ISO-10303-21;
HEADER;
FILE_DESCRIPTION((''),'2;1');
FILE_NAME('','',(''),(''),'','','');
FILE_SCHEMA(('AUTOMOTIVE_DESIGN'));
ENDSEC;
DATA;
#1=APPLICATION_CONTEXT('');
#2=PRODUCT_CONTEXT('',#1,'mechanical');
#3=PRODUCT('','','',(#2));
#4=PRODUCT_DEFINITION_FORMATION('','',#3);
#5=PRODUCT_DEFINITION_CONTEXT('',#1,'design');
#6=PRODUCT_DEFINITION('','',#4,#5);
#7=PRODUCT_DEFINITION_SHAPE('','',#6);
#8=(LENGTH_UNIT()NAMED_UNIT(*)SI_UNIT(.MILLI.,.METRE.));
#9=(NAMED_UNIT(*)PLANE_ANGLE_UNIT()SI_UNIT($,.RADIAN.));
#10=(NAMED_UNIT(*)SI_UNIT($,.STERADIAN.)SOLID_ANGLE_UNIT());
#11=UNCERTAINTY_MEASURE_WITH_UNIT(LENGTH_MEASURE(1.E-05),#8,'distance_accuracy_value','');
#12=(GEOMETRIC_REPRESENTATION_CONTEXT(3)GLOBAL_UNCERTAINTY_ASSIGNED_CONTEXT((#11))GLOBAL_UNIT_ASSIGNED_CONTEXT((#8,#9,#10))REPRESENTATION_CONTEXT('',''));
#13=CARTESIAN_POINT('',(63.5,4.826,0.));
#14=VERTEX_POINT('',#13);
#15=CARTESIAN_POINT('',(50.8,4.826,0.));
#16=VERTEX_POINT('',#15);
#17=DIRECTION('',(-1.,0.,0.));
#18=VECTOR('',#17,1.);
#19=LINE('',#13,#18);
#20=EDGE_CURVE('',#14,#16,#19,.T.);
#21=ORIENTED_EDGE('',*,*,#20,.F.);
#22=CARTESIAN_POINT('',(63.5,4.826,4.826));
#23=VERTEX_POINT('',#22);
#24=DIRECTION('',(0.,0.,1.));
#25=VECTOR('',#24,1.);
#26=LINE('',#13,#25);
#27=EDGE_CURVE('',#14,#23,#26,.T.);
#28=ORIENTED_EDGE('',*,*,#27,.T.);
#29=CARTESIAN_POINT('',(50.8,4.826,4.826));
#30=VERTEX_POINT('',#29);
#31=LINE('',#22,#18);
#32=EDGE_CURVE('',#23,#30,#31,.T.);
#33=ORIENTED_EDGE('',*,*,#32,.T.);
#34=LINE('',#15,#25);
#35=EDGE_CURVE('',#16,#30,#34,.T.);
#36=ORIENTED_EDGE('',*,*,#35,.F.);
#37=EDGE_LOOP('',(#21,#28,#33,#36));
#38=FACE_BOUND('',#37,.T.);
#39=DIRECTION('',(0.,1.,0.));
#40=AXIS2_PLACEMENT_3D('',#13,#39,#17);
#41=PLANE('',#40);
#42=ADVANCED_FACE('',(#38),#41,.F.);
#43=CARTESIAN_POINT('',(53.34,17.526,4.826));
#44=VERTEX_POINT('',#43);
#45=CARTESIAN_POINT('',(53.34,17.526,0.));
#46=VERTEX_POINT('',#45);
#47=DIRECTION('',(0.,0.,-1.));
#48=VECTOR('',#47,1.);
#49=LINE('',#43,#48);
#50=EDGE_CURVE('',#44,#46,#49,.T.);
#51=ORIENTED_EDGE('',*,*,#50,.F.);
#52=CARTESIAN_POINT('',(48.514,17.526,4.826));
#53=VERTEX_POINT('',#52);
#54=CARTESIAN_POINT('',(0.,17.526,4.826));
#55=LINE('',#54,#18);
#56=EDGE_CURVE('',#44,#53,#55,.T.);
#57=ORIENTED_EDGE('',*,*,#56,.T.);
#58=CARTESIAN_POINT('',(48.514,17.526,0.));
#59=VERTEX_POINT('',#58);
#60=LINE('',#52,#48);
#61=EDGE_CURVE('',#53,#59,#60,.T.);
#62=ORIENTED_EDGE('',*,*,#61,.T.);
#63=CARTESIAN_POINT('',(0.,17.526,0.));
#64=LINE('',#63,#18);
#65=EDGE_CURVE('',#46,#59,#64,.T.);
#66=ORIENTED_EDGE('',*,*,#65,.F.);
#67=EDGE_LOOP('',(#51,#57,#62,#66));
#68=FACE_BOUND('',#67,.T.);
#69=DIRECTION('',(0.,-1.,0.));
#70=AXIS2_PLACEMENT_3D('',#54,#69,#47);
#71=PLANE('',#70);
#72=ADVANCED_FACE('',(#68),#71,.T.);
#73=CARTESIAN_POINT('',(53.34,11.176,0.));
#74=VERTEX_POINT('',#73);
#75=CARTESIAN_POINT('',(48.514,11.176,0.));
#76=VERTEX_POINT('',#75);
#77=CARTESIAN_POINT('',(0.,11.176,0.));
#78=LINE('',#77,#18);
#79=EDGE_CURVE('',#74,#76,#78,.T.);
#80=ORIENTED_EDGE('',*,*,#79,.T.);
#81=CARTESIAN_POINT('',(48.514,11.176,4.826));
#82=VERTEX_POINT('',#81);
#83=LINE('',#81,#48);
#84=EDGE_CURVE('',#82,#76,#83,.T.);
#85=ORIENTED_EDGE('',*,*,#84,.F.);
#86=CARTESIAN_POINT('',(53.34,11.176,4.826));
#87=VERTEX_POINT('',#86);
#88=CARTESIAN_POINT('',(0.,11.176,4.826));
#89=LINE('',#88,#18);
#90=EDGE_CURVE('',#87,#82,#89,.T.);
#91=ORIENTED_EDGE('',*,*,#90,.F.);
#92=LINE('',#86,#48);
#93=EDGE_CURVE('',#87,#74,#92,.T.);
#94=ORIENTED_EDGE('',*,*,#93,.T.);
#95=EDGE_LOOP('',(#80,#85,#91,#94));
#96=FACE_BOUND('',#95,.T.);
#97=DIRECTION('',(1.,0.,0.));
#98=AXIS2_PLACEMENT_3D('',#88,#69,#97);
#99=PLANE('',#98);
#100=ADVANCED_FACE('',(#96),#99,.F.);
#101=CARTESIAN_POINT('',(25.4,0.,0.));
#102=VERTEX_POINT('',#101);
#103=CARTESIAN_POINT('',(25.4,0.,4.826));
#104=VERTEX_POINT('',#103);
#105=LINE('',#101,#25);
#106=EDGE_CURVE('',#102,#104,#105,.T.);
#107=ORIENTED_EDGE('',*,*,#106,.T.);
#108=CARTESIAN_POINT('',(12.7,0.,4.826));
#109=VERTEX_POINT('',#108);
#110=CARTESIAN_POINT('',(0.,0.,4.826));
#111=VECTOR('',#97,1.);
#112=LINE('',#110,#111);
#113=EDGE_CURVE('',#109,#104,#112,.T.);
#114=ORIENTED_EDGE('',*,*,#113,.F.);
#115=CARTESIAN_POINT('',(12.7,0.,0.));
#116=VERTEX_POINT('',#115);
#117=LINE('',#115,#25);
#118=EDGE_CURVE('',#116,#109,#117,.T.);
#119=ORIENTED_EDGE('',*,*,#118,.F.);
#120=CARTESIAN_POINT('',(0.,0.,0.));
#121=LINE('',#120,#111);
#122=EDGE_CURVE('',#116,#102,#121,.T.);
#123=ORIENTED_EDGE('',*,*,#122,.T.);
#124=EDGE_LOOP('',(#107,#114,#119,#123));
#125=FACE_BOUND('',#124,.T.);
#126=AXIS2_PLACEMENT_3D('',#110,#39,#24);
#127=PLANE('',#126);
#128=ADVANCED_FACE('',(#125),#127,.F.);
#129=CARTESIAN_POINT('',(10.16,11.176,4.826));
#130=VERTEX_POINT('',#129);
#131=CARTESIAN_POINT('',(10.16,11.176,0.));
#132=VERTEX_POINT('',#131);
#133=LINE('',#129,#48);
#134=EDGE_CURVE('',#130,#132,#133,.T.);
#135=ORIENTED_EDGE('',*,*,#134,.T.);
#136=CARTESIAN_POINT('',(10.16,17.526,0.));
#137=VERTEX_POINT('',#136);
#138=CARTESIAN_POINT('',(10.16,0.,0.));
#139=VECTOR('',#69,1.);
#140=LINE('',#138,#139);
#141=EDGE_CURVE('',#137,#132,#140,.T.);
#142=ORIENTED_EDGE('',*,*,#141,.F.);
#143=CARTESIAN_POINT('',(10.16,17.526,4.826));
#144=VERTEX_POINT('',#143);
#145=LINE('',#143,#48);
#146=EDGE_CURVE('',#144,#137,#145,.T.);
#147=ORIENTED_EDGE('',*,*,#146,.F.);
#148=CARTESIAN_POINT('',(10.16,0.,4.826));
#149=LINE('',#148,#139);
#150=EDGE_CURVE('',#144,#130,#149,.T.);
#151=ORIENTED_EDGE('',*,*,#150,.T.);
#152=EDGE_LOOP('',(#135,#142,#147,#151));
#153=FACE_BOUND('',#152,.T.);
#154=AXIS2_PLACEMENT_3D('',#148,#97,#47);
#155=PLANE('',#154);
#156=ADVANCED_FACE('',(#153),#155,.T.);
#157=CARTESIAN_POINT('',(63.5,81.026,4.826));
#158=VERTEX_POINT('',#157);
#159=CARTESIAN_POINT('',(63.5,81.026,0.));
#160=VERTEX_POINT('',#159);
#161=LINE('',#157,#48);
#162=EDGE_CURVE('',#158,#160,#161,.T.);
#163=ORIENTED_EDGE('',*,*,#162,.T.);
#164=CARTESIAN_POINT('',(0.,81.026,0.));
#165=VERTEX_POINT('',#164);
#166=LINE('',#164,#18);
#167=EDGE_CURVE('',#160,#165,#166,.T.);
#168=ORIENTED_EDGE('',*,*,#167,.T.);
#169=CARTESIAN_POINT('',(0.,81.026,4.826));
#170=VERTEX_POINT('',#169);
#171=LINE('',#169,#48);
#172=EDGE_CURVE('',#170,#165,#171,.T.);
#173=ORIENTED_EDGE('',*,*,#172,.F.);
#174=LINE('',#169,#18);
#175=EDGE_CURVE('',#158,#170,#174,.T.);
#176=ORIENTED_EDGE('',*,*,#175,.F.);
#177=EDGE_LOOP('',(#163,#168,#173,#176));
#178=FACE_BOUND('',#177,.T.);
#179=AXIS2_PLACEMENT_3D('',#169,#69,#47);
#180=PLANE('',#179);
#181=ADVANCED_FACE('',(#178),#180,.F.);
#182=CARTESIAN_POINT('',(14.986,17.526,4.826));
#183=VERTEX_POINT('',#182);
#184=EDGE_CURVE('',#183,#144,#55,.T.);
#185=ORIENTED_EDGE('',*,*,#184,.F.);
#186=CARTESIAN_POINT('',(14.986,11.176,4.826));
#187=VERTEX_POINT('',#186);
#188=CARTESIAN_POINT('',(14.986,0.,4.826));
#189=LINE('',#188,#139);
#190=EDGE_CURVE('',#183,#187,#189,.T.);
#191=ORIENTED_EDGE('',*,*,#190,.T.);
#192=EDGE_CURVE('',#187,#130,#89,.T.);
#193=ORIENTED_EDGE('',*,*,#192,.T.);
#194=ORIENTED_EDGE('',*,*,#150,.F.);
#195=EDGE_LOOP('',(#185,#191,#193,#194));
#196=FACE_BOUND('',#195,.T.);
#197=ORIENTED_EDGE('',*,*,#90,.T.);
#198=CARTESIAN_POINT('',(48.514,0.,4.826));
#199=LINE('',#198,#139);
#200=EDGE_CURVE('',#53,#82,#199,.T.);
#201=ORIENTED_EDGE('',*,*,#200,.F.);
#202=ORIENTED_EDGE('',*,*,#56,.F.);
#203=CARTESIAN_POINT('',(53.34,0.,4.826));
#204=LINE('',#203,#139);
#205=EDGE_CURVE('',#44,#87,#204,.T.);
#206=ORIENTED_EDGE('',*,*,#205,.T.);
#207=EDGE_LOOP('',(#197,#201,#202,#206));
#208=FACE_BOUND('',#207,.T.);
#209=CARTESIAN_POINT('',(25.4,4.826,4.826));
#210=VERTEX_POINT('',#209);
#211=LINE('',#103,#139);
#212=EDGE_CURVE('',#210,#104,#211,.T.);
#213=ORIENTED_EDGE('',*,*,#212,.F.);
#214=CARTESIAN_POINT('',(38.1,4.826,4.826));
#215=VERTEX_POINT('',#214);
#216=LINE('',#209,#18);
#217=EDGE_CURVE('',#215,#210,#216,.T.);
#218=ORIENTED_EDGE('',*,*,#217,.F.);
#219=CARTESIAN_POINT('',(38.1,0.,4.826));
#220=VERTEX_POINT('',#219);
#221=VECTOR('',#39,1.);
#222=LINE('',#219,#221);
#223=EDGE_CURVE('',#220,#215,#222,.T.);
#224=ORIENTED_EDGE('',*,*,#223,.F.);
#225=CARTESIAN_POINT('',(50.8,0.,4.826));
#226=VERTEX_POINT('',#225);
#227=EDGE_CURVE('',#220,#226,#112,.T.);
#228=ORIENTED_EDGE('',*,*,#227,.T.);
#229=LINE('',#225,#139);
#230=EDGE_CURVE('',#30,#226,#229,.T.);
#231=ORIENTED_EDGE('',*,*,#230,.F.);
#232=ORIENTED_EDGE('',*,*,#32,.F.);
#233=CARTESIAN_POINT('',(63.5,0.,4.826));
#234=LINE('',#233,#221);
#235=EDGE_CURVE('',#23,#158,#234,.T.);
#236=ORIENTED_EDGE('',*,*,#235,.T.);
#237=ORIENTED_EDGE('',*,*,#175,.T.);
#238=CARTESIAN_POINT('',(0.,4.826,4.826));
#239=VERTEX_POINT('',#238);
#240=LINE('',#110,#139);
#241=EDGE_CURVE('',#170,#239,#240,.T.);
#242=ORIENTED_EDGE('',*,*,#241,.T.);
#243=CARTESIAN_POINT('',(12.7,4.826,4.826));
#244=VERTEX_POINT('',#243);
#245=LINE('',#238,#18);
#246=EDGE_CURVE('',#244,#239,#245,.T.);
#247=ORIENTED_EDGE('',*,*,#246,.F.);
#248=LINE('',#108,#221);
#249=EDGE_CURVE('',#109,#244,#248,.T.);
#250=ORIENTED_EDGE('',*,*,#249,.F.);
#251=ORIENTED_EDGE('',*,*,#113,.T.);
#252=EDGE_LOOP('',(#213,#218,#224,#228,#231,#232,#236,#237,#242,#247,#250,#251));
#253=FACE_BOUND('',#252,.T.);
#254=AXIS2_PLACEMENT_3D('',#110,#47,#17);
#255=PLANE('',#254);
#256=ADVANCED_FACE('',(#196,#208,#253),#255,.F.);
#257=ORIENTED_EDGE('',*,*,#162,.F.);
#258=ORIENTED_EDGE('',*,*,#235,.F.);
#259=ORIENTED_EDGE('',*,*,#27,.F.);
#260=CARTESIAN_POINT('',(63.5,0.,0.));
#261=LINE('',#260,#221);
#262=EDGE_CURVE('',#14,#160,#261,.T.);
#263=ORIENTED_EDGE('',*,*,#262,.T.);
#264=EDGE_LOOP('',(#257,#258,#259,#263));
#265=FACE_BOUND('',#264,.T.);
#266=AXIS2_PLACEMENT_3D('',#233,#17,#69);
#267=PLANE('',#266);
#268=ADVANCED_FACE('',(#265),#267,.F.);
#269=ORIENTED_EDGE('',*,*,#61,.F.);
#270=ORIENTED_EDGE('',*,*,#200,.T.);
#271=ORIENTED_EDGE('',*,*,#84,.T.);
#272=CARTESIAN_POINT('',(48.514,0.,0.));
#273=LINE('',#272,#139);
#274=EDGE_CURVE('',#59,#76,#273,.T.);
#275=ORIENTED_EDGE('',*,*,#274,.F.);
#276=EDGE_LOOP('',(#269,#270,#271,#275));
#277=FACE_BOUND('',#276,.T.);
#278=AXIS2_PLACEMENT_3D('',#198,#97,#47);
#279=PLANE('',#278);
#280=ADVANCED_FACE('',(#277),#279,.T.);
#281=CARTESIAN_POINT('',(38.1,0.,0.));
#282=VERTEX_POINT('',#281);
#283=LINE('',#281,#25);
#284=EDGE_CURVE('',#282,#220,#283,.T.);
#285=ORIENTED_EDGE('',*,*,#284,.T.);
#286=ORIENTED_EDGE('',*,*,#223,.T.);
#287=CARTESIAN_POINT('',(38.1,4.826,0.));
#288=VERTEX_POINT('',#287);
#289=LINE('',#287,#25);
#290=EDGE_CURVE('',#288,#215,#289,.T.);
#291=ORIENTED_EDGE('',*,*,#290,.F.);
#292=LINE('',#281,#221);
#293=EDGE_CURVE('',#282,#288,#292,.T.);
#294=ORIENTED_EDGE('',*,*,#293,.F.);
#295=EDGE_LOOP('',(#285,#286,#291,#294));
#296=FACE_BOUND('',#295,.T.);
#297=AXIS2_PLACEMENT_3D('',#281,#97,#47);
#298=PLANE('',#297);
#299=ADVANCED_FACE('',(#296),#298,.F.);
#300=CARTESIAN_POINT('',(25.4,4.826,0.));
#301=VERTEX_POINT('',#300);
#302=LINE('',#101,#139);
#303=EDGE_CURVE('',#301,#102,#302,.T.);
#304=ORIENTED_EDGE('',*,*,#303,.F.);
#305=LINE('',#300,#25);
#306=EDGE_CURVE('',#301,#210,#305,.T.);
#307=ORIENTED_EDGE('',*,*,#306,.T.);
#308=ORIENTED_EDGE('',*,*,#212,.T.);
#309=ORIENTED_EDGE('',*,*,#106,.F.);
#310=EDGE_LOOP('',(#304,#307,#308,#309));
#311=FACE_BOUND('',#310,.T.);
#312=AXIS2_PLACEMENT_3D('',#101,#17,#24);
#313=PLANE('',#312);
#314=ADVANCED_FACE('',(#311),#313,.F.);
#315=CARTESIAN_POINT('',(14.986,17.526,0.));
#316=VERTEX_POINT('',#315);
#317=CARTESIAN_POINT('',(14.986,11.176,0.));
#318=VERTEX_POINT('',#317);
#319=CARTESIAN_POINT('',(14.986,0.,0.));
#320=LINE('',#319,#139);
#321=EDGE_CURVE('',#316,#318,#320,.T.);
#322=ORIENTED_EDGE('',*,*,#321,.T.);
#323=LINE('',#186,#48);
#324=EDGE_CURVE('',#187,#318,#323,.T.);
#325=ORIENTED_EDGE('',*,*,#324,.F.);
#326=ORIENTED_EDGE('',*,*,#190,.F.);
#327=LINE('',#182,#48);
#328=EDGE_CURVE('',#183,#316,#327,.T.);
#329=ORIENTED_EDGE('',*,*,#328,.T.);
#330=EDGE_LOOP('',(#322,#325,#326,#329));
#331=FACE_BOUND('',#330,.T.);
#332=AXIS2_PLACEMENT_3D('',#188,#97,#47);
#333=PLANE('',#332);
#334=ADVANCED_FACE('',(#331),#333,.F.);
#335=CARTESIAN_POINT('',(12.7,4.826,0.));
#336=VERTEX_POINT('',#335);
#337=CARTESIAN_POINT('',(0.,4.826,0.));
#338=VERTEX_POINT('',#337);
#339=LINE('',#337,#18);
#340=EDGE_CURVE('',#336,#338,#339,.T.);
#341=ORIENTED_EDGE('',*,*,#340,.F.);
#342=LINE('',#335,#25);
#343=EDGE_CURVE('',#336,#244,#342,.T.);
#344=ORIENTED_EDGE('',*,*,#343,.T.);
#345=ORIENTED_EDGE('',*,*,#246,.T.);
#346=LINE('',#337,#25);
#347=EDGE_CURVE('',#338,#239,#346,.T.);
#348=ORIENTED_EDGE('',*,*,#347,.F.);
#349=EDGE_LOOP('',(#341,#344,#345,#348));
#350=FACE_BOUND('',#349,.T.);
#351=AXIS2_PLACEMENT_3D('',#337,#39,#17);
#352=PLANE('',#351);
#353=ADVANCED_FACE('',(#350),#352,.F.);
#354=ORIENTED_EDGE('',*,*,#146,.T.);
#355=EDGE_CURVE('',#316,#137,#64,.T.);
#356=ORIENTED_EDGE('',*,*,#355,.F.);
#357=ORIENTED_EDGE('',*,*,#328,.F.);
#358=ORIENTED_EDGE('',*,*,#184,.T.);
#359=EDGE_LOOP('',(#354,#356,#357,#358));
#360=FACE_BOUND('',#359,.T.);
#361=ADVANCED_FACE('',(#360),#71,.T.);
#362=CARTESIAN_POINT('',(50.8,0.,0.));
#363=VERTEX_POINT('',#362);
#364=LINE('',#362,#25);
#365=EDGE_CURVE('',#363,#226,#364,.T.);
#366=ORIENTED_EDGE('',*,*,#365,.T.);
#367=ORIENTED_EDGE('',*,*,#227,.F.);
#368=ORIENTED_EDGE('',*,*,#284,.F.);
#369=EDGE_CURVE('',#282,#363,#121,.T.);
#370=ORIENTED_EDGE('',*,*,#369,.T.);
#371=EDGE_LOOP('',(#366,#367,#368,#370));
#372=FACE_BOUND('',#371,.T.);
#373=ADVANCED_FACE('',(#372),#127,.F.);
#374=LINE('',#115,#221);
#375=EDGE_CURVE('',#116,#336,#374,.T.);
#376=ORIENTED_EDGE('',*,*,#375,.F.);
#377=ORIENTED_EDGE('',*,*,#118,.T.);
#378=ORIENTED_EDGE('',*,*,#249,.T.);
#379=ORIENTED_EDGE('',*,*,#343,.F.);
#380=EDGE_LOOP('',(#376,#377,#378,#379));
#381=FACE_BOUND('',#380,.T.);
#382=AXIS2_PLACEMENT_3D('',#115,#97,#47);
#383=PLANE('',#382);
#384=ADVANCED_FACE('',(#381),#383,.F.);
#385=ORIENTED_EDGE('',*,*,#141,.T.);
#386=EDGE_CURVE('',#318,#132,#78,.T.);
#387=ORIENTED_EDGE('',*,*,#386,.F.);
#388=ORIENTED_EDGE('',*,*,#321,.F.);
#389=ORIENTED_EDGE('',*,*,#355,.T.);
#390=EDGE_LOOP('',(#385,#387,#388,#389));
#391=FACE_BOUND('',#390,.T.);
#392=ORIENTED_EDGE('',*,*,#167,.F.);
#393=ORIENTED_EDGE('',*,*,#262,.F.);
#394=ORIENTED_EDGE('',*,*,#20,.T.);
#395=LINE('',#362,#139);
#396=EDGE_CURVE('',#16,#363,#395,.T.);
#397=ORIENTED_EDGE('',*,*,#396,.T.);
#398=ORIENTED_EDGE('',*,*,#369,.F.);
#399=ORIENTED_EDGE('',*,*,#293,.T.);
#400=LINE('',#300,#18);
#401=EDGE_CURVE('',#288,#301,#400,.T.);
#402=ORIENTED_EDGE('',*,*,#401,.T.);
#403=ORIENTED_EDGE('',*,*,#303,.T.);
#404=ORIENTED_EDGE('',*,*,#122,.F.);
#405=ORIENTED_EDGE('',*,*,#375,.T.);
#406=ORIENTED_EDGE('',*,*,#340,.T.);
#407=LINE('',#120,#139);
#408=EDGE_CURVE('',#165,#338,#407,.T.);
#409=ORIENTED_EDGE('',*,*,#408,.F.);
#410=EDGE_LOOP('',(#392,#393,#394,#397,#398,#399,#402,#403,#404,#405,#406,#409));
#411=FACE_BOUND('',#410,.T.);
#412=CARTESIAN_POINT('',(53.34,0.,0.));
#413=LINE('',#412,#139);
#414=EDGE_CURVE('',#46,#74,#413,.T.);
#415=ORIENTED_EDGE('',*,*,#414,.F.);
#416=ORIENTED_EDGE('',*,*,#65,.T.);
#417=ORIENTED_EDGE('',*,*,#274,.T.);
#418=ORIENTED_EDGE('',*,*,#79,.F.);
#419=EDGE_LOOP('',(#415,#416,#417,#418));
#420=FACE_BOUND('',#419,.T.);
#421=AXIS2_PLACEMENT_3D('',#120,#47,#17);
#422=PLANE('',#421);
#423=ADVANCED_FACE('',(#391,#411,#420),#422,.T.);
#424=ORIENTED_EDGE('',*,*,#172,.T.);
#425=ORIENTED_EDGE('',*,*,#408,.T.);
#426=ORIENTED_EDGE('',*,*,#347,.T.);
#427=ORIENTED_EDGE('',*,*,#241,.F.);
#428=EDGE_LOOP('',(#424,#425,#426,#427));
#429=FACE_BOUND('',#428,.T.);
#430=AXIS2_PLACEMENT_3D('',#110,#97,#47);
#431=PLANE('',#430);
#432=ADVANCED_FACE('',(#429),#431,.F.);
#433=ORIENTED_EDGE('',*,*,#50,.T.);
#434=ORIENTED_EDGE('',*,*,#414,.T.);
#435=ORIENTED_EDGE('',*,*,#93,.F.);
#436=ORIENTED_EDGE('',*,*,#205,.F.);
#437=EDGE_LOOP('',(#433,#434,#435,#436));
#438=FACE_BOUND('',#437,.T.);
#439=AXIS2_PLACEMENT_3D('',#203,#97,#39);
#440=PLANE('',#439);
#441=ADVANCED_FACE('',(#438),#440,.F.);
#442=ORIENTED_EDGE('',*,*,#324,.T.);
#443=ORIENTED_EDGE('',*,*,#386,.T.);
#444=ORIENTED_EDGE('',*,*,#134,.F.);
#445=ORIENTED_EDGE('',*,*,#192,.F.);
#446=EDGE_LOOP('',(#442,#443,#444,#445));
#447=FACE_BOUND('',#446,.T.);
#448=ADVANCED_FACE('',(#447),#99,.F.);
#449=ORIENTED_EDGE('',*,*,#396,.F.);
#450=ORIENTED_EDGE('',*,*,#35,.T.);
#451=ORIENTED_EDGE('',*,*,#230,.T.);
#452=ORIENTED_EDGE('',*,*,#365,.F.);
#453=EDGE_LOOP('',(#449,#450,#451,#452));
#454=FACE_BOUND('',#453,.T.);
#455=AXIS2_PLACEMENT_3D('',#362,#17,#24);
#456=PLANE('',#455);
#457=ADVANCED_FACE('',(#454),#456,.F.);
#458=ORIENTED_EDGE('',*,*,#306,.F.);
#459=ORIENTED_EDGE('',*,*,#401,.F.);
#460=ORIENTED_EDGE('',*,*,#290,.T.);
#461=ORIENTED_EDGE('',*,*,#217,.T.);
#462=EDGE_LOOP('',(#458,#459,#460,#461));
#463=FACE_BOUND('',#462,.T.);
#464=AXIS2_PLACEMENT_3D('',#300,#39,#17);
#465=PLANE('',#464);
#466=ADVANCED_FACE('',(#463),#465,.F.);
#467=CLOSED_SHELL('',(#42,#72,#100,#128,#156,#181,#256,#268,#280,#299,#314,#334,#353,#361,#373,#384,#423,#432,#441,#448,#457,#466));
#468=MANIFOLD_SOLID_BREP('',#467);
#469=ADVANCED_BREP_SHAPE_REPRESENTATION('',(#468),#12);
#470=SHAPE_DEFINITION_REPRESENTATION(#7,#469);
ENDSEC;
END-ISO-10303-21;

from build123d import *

# Parameters (mm, degrees)
SKETCH1_W           = 63.5
SKETCH1_H           = 81.026
BOSS_EXTRUDE1_DEPTH = 4.826
SKETCH2_W           = 12.7
SKETCH2_H           = 4.826
CUT_EXTRUDE1_DEPTH  = 104.057037373
SKETCH3_W           = 4.826
SKETCH3_H           = 6.35
CUT_EXTRUDE2_DEPTH  = 4.826


with BuildPart() as part:
    # Sketch1 → Boss-Extrude1 (new body)
    with BuildSketch(Plane.XY):
        with Locations((31.75, 40.513)):
            Rectangle(SKETCH1_W, SKETCH1_H)
    extrude(amount=BOSS_EXTRUDE1_DEPTH)

    # Sketch2 → Cut-Extrude1 (cut, through all)
    with BuildSketch(Plane.XY.offset(4.826)):
        with Locations((6.35, 2.413)):
            Rectangle(SKETCH2_W, SKETCH2_H)
        with Locations((31.75, 2.413)):
            Rectangle(SKETCH2_W, SKETCH2_H)
        with Locations((57.15, 2.413)):
            Rectangle(SKETCH2_W, SKETCH2_H)
    extrude(amount=-CUT_EXTRUDE1_DEPTH, mode=Mode.SUBTRACT)

    # Sketch3 → Cut-Extrude2 (cut)
    with BuildSketch(Plane(origin=(0, 0, 0), x_dir=(-1, 0, 0), z_dir=(0, 0, -1))):
        with Locations((-50.927, 14.351)):
            Rectangle(SKETCH3_W, SKETCH3_H)
        with Locations((-12.573, 14.351)):
            Rectangle(SKETCH3_W, SKETCH3_H)
    extrude(amount=-CUT_EXTRUDE2_DEPTH, mode=Mode.SUBTRACT)


solid = part.part
